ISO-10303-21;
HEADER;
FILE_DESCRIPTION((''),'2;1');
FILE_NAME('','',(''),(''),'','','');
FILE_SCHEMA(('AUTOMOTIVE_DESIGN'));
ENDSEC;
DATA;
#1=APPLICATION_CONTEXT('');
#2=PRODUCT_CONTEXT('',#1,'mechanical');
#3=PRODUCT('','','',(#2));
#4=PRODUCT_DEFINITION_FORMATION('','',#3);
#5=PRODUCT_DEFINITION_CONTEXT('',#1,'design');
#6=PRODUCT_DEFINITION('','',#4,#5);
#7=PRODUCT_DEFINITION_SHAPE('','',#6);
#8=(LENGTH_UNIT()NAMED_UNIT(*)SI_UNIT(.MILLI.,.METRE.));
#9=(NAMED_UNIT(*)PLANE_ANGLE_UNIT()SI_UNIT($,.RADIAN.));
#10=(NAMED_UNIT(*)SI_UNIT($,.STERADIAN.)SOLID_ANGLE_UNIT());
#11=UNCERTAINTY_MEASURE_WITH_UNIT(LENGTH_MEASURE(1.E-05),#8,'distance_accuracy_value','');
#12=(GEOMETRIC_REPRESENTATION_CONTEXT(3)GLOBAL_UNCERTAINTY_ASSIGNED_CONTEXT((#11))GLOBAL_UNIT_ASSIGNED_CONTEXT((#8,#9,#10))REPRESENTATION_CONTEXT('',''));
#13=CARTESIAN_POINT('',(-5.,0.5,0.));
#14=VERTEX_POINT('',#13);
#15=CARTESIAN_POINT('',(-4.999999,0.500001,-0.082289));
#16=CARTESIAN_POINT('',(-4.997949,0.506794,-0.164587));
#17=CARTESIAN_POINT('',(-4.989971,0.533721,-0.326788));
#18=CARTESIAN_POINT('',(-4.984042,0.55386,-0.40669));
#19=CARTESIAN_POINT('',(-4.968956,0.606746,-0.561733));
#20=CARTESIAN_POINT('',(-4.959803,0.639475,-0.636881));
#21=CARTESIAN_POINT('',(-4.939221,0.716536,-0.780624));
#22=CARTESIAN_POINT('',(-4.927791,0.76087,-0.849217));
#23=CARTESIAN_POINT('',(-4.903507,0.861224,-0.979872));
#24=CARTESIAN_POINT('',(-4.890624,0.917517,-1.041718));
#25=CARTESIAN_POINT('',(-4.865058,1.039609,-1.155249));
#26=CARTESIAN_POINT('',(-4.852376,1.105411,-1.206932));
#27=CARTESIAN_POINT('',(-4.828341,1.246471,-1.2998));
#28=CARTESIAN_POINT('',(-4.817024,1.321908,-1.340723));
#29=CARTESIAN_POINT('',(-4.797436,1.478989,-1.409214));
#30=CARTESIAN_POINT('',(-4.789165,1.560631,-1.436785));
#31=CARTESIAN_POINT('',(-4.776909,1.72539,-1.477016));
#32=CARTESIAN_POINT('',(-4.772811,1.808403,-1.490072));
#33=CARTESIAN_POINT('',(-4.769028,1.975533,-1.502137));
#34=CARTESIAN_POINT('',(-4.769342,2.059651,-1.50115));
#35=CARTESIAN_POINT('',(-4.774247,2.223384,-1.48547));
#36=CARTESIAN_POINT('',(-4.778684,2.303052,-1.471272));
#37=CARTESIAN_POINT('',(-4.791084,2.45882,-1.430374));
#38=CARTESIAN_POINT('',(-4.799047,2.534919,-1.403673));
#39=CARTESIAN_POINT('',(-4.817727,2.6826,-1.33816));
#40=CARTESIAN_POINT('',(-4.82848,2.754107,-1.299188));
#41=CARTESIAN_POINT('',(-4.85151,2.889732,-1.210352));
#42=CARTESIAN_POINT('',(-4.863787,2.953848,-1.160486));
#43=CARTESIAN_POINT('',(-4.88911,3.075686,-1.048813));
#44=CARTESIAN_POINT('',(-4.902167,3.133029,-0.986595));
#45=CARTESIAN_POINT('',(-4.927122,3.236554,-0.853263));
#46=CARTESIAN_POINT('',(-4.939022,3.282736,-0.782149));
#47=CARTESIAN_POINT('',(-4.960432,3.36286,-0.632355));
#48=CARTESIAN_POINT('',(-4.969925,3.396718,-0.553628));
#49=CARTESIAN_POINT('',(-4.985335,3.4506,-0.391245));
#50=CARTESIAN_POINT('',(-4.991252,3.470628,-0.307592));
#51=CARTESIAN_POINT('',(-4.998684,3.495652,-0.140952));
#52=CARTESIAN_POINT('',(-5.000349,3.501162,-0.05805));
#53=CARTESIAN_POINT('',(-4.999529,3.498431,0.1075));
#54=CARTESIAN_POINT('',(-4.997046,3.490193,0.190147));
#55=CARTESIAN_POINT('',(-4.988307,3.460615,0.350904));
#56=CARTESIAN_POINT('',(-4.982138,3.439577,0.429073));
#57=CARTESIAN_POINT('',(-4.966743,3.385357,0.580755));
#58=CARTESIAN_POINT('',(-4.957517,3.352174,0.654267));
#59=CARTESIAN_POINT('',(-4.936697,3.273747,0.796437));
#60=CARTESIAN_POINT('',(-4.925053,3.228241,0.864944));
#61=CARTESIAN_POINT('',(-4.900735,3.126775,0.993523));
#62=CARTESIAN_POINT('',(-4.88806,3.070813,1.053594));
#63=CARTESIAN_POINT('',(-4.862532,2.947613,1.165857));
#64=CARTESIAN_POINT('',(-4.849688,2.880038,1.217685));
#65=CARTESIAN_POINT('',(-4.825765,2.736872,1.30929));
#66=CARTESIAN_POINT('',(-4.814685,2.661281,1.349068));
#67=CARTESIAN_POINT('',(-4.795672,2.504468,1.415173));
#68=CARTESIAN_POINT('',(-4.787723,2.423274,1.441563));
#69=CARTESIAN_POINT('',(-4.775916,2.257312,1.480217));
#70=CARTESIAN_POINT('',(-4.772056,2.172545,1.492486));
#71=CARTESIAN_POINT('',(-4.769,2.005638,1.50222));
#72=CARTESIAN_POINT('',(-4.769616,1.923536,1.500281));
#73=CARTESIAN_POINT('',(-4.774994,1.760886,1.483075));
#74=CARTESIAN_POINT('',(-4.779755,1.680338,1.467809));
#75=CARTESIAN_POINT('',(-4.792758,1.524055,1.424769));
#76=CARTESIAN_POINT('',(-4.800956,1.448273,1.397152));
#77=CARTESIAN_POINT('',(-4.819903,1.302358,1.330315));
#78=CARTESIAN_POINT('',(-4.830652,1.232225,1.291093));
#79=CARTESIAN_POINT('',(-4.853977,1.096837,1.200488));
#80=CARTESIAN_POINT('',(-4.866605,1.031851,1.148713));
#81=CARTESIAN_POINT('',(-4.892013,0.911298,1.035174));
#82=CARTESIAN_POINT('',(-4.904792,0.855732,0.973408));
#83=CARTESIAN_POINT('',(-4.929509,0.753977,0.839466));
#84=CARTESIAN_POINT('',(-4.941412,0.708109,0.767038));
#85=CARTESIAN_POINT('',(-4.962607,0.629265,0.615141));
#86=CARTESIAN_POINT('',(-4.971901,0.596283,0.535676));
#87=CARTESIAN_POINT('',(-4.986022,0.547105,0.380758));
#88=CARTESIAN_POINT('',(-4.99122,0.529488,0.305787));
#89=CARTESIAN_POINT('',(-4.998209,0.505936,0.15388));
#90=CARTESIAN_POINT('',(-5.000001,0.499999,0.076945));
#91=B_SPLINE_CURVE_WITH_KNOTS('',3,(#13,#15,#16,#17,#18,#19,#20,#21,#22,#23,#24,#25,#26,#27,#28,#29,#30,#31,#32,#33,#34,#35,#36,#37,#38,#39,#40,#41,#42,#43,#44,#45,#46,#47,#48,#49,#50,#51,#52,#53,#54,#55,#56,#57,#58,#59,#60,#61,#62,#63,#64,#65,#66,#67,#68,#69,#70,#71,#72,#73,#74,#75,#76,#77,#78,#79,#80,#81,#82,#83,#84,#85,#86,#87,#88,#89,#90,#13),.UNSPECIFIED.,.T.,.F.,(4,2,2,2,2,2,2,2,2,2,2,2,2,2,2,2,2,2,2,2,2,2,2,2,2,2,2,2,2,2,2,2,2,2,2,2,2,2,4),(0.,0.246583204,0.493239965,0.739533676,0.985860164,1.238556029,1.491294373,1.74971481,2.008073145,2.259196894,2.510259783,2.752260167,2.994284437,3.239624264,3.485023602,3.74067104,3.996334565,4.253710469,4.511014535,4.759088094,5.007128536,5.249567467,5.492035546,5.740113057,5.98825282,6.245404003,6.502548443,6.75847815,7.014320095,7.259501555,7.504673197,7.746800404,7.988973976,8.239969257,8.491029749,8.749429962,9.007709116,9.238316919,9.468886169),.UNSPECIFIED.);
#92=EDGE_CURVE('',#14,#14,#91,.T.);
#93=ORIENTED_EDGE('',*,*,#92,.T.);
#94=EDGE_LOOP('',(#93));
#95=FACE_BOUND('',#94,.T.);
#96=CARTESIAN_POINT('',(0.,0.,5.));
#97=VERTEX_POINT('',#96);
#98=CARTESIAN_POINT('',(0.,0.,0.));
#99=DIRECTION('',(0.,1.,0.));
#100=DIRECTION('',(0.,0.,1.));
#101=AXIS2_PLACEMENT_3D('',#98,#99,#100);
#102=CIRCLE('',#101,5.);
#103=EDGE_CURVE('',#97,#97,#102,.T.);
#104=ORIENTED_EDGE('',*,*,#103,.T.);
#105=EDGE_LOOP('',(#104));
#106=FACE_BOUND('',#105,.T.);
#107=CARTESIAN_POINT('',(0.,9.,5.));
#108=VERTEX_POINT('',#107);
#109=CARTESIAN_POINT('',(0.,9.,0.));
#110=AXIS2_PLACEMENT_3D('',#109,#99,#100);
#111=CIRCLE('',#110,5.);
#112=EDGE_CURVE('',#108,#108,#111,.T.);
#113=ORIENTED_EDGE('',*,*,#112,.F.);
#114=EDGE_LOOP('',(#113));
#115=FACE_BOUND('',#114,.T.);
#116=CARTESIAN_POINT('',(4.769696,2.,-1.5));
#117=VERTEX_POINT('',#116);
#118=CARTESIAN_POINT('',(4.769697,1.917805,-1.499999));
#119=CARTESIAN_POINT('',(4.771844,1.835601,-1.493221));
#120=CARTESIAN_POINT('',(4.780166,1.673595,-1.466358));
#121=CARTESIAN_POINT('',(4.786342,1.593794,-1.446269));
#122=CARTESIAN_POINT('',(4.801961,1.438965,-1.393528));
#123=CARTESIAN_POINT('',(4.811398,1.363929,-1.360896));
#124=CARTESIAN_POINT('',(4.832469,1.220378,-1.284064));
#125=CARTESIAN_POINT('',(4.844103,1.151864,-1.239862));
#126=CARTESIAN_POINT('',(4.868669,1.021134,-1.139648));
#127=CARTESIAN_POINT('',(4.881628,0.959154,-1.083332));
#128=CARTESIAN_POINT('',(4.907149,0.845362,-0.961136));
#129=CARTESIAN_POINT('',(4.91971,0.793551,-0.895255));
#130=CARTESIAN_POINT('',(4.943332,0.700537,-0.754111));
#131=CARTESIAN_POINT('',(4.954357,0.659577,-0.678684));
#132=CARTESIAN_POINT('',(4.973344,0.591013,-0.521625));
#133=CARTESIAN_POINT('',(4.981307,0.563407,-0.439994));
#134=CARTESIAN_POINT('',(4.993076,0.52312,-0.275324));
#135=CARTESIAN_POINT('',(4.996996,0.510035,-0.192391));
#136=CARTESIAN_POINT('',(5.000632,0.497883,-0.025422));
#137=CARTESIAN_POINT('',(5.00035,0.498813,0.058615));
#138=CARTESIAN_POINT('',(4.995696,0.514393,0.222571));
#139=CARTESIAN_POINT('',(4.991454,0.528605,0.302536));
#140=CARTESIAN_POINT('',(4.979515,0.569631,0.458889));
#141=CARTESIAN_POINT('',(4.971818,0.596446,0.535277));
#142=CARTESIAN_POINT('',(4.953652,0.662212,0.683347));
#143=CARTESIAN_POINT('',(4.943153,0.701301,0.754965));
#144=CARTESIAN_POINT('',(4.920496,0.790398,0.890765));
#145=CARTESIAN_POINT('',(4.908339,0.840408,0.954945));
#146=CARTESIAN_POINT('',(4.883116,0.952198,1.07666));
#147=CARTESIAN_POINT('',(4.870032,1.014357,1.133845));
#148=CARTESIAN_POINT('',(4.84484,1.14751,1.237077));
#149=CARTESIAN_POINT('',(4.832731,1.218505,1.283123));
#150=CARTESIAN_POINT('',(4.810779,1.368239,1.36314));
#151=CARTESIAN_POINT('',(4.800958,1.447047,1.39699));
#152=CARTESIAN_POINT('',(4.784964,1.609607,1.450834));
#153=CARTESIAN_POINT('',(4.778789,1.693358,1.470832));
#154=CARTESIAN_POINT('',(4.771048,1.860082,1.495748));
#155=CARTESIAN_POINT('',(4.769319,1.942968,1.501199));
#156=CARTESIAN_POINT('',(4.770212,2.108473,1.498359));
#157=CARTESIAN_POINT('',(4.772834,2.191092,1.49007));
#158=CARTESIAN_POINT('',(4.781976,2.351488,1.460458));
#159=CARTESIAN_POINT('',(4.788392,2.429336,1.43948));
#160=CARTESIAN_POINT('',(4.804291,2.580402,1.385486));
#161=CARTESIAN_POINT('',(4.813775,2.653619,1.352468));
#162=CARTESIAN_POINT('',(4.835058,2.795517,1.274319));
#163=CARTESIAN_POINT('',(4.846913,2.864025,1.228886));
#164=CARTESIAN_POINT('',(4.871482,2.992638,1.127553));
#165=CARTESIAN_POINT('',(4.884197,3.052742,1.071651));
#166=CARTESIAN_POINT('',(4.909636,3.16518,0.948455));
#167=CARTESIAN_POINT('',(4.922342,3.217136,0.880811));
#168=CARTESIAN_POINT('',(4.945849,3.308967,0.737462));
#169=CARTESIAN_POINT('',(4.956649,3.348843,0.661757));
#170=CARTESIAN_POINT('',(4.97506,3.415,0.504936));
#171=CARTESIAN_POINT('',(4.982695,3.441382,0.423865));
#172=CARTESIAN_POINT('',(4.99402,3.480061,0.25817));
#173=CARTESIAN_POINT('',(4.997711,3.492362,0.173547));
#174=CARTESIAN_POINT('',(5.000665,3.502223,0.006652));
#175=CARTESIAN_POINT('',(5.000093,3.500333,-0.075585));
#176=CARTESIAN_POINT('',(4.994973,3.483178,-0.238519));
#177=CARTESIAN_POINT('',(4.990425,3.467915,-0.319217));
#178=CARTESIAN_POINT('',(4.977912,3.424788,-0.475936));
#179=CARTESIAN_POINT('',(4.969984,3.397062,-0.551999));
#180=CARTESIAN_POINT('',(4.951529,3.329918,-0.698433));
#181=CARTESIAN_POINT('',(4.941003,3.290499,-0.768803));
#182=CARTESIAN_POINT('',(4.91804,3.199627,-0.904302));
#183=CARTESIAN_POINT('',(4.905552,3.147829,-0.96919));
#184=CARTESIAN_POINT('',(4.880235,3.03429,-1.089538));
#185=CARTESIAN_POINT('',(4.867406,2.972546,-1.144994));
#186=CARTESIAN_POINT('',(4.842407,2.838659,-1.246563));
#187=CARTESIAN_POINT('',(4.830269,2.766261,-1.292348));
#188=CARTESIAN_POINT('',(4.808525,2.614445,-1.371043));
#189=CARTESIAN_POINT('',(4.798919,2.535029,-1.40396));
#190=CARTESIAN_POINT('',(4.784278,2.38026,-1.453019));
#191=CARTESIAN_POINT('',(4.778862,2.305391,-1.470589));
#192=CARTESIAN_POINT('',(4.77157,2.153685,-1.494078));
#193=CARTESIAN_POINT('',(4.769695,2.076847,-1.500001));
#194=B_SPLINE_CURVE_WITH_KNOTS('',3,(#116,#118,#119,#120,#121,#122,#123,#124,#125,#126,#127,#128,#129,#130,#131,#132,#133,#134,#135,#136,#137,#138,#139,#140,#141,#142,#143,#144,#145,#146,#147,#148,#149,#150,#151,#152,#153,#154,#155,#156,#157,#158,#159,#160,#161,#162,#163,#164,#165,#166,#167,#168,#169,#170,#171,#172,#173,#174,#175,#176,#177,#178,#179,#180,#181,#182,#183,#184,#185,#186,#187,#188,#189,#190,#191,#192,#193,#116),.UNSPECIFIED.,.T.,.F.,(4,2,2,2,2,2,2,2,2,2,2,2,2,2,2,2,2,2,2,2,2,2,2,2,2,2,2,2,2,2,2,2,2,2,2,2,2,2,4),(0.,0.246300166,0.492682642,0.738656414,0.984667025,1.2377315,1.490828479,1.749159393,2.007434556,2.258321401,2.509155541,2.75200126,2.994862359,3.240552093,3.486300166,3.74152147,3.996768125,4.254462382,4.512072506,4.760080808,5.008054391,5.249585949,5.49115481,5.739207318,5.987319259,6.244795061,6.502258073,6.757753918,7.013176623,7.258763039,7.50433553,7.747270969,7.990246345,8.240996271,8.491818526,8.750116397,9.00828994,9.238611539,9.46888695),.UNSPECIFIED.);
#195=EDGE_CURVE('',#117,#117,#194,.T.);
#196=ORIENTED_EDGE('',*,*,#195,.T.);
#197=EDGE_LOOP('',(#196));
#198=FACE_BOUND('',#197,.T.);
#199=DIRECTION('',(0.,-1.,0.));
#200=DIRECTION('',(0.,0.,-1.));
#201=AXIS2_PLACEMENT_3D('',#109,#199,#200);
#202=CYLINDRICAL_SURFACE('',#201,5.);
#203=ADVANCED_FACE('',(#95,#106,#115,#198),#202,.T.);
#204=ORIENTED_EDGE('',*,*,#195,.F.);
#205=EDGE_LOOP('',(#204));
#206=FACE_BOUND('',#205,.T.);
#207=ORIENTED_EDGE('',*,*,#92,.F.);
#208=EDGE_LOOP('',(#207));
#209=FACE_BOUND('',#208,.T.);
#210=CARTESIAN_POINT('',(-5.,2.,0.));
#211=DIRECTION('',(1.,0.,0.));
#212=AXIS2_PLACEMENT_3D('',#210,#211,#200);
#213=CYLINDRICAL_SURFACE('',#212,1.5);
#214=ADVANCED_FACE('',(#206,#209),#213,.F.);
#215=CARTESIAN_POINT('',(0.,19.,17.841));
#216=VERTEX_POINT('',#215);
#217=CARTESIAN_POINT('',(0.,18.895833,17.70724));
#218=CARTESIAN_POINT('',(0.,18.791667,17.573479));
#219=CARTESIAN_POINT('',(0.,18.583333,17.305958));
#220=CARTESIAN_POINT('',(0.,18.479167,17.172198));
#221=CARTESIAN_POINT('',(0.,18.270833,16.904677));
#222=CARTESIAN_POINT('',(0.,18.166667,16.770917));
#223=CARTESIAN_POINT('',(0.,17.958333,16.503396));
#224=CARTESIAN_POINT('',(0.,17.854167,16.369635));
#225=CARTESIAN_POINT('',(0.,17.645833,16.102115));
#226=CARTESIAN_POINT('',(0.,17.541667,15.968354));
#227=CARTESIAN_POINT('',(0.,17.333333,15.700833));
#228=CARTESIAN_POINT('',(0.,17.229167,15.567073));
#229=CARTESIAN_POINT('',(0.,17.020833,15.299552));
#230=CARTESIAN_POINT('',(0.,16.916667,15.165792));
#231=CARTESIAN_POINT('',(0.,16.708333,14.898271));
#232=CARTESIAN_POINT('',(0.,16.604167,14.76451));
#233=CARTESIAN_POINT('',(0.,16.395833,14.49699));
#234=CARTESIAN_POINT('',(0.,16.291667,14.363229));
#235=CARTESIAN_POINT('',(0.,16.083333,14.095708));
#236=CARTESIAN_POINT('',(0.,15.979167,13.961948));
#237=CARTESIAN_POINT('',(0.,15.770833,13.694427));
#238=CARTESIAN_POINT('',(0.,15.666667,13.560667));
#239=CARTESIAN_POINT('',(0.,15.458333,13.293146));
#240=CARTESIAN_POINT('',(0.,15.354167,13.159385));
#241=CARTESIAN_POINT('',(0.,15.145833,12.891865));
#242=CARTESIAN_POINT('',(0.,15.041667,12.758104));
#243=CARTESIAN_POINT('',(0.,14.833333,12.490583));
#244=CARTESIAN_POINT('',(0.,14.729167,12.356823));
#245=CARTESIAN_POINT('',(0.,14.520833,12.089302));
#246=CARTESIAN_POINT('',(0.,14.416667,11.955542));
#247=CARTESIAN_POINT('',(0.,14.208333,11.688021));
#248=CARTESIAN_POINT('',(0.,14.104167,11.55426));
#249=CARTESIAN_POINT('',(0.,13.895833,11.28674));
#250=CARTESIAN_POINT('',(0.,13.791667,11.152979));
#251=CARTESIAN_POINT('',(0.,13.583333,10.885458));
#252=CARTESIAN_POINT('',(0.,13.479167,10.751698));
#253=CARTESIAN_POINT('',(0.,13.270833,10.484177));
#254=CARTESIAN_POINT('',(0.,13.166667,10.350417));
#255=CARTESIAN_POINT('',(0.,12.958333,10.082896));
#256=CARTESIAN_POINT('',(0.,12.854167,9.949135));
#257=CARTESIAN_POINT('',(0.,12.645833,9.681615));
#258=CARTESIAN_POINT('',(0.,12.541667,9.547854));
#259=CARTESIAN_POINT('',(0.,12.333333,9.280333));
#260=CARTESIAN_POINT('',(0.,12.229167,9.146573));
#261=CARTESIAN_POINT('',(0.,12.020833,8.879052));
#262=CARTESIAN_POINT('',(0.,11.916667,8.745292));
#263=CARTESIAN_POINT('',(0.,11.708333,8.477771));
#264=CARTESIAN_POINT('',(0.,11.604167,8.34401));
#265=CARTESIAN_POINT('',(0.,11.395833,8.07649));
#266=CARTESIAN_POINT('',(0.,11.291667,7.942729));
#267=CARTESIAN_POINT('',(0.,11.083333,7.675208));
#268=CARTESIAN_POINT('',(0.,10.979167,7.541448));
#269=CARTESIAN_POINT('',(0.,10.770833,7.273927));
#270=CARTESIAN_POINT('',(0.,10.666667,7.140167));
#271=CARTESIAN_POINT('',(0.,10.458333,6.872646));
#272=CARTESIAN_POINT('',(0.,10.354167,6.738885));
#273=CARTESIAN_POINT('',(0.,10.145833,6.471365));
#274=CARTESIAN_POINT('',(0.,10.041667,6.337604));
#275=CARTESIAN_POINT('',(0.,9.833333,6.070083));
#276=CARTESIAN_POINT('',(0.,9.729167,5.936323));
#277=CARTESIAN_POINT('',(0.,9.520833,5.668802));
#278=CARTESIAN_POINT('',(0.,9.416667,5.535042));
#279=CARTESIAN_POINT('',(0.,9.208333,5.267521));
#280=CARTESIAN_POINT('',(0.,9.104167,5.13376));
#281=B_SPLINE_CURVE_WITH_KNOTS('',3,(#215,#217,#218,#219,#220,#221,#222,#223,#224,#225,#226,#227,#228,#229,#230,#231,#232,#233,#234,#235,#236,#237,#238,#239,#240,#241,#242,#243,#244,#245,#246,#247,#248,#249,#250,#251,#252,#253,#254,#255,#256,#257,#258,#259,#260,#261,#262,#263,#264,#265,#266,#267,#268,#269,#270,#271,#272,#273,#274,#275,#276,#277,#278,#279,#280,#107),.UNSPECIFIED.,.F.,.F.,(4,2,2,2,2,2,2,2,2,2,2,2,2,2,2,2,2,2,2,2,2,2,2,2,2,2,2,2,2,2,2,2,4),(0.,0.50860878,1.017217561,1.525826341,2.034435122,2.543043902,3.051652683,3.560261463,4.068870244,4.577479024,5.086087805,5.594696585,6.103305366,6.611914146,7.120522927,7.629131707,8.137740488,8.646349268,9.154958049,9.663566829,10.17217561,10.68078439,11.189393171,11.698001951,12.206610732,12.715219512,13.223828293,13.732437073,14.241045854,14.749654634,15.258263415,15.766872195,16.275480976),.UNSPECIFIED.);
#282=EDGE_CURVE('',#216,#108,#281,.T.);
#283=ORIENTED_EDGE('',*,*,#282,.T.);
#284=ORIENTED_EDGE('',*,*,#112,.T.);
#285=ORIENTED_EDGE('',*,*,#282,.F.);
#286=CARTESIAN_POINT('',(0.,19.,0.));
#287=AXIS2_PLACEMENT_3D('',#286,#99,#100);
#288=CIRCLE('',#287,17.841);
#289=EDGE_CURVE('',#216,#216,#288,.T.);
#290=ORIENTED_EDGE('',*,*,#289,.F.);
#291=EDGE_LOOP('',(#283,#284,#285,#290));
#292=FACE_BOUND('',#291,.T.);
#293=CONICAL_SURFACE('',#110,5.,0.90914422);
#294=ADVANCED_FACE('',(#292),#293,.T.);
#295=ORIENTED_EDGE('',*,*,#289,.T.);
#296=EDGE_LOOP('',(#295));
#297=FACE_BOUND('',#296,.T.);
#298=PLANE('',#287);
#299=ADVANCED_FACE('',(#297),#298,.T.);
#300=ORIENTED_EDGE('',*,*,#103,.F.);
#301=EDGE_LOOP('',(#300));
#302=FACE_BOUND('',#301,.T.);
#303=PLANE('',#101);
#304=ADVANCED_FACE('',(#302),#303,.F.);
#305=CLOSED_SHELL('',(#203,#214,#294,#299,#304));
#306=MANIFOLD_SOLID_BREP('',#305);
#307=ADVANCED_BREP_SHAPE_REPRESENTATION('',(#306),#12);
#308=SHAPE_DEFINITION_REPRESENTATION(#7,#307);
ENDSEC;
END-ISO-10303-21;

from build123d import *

# Parameters (mm, degrees)
SKETCH1_R             = 5
BODY_DEPTH            = 9
PIN_INSERT_DEPTH      = 12.445523142
PIN_INSERT_DEPTH_BACK = 12.445523142
SKETCH2_R             = 1.5
HEAD_SA_R             = 17.841


with BuildPart() as part:
    # Sketch1 → body (new body)
    with BuildSketch(Plane(origin=(0, 0, 0), x_dir=(1, 0, 0), z_dir=(0, 1, 0))):
        with Locations(Location((0, 0, 0), (0, 0, 270))):
            Circle(SKETCH1_R)
    extrude(amount=BODY_DEPTH)

    # Sketch2 → pin insert (cut, two sides: drawn at the far end of the back side and taken through both)
    with BuildSketch(Plane(origin=(0, 0, 0), x_dir=(0, 0, -1), z_dir=(1, 0, 0)).offset(-PIN_INSERT_DEPTH_BACK)):
        with Locations((0, 2)):
            Circle(SKETCH2_R)
    extrude(amount=PIN_INSERT_DEPTH + PIN_INSERT_DEPTH_BACK, mode=Mode.SUBTRACT)

    # head SA → section 0 of cone
    with BuildSketch(Plane(origin=(0, 19, 0), x_dir=(1, 0, 0), z_dir=(0, 1, 0)), mode=Mode.PRIVATE) as cone_s0:
        Circle(HEAD_SA_R)
    # loft up to a face of the part (cone)
    loft([cone_s0.sketch, part.faces().sort_by_distance((0, 9, 0))[0]])


solid = part.part
